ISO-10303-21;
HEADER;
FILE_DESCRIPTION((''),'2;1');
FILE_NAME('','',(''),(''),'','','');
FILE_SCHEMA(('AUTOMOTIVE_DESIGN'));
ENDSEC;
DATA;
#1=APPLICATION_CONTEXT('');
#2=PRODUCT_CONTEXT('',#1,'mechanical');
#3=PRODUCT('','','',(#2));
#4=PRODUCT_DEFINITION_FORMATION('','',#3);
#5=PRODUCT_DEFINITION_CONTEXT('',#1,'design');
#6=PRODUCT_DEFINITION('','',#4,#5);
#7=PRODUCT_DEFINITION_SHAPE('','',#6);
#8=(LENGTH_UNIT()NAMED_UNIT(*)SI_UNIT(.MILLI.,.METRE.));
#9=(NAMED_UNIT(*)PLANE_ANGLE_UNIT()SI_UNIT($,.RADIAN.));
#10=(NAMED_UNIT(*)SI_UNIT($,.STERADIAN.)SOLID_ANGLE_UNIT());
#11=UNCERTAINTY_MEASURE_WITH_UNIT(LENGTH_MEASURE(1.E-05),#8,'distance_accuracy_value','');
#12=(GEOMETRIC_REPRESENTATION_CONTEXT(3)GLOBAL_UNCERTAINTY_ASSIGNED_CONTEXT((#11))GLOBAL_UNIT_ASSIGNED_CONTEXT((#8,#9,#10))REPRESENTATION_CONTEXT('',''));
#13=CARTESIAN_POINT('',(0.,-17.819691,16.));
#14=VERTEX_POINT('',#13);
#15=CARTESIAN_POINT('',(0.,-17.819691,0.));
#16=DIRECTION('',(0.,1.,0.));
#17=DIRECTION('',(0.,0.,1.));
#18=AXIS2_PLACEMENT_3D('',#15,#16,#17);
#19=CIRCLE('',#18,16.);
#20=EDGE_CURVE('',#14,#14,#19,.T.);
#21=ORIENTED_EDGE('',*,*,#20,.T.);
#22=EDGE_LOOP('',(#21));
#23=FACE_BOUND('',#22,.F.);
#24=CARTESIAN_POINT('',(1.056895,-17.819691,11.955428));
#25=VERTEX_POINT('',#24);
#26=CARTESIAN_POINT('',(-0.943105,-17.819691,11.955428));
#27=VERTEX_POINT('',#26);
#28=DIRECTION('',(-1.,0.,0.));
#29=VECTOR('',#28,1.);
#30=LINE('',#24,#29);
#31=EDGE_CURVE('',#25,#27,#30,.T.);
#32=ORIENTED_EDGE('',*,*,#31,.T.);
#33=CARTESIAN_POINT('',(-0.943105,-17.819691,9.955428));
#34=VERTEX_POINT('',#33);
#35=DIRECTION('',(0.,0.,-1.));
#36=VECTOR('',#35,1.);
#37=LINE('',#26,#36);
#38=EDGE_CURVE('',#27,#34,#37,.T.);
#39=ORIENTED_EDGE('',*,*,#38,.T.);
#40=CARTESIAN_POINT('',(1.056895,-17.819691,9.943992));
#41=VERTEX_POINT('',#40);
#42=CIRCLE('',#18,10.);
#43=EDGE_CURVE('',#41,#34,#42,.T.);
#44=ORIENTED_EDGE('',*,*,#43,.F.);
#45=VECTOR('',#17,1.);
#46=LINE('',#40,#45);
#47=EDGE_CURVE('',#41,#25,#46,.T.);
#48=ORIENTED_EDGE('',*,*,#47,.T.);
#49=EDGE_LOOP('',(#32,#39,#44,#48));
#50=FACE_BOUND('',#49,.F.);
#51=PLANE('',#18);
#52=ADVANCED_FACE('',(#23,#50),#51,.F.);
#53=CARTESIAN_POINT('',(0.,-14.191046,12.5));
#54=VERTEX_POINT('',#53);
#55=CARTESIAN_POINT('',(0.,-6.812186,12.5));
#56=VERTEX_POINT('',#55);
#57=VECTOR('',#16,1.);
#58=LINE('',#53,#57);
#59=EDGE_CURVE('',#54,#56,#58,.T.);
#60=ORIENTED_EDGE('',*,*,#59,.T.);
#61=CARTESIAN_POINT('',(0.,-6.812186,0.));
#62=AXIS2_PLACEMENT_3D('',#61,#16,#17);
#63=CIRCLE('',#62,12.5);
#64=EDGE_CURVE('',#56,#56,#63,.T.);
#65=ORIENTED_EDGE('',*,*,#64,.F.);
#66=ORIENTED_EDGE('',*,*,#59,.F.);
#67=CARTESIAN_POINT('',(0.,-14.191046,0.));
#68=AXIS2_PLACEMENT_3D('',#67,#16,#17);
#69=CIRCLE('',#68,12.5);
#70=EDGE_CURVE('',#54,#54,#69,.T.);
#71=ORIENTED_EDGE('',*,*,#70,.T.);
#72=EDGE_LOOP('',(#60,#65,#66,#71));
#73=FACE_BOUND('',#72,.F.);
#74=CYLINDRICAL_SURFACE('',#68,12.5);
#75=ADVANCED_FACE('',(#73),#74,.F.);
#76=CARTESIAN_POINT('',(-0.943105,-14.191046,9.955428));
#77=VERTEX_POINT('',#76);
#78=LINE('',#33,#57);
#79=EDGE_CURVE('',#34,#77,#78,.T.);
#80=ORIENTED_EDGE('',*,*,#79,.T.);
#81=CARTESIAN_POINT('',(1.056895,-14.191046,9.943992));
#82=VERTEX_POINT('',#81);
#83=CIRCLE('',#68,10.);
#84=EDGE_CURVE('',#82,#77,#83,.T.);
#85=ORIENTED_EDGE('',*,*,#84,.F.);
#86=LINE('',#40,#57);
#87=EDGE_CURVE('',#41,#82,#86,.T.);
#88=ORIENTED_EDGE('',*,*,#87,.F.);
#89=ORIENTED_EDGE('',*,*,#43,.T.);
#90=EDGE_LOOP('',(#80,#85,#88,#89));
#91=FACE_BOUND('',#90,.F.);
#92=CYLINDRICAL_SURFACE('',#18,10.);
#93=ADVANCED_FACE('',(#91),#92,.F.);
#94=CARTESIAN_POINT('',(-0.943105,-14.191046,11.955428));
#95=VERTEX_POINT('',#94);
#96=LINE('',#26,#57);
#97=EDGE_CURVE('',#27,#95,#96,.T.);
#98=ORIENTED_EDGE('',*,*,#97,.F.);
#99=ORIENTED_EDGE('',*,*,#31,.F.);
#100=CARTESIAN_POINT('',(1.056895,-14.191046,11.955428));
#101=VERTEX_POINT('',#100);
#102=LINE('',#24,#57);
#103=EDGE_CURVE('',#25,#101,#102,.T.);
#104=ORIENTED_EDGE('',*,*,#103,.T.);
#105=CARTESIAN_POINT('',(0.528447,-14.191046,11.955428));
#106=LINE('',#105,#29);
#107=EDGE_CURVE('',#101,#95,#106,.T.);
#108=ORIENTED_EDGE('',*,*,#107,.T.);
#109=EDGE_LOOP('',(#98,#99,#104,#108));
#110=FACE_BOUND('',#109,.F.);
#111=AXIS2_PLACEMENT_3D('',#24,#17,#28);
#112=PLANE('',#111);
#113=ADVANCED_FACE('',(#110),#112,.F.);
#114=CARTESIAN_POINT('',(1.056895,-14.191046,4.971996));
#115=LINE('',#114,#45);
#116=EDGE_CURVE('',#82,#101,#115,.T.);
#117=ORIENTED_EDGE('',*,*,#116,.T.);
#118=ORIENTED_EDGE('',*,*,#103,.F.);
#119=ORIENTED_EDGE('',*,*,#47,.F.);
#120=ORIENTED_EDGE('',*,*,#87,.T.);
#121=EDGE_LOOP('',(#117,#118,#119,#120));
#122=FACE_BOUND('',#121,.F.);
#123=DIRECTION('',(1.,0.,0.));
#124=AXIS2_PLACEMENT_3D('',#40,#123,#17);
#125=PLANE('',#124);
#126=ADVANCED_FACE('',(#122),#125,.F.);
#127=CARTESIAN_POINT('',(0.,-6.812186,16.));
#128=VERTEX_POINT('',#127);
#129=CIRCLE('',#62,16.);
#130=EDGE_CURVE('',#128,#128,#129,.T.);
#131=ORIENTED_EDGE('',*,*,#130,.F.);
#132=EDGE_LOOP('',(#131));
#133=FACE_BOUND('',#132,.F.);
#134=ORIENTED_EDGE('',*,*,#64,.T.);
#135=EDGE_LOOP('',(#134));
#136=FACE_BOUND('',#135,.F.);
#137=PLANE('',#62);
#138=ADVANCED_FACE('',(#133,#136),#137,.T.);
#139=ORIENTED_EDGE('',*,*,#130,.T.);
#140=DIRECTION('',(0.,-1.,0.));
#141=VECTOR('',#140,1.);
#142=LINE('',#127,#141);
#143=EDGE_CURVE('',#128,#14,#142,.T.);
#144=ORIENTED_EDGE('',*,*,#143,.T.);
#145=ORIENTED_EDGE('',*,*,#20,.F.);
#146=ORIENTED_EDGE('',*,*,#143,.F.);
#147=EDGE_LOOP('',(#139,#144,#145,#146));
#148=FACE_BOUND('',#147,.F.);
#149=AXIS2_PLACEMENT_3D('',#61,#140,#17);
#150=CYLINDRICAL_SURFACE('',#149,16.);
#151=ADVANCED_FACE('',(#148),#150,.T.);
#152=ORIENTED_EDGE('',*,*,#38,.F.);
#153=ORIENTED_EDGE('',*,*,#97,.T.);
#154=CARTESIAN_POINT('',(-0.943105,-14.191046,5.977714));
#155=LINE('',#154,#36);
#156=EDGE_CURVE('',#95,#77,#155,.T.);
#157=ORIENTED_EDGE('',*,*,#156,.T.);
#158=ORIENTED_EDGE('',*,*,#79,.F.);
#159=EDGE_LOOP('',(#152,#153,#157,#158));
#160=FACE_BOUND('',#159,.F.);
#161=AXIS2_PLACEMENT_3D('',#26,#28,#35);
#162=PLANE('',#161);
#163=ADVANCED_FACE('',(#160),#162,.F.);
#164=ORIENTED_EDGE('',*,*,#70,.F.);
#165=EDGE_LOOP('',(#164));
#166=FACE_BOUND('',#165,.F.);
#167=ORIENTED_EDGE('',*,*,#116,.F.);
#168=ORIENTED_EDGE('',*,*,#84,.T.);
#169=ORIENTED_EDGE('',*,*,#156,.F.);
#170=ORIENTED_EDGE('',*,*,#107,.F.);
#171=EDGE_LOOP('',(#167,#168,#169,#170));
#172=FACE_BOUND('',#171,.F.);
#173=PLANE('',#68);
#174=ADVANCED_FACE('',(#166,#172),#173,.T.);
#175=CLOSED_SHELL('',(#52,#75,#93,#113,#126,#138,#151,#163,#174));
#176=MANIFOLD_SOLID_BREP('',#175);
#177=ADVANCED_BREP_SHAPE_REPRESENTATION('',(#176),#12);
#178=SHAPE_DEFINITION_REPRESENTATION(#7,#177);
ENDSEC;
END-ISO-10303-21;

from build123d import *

# Parameters (mm, degrees)
F3_DEPTH = 25


with BuildPart() as f1:
    # F0 (on Right) → F1 (revolve)
    with BuildSketch(Plane.YZ):
        Polygon((-17.8196914494, 16), (-17.8196914494, 10), (-14.1910459714, 10), (-14.1910459714, 12.5), (-6.8121855946, 12.5), (-6.8121855946, 16), align=None)
    revolve(axis=Axis((0, 1.8924064934, 0), (0, 1, 0)))

    # F2 (on face) → F3 (cut)
    with BuildSketch(Plane.XZ.offset(17.8196914494)):
        with BuildLine():
            Line((-0.94310515, 11.955428302), (-0.94310515, 9.955428302))
            ThreePointArc((-0.94310515, 9.955428302), (0.0571814852, 9.9998365126), (1.05689485, 9.943991818))
            Line((1.05689485, 9.943991818), (1.05689485, 11.955428302))
            Line((1.05689485, 11.955428302), (-0.94310515, 11.955428302))
        make_face()
    extrude(amount=-F3_DEPTH, mode=Mode.SUBTRACT)


solid = f1.part
